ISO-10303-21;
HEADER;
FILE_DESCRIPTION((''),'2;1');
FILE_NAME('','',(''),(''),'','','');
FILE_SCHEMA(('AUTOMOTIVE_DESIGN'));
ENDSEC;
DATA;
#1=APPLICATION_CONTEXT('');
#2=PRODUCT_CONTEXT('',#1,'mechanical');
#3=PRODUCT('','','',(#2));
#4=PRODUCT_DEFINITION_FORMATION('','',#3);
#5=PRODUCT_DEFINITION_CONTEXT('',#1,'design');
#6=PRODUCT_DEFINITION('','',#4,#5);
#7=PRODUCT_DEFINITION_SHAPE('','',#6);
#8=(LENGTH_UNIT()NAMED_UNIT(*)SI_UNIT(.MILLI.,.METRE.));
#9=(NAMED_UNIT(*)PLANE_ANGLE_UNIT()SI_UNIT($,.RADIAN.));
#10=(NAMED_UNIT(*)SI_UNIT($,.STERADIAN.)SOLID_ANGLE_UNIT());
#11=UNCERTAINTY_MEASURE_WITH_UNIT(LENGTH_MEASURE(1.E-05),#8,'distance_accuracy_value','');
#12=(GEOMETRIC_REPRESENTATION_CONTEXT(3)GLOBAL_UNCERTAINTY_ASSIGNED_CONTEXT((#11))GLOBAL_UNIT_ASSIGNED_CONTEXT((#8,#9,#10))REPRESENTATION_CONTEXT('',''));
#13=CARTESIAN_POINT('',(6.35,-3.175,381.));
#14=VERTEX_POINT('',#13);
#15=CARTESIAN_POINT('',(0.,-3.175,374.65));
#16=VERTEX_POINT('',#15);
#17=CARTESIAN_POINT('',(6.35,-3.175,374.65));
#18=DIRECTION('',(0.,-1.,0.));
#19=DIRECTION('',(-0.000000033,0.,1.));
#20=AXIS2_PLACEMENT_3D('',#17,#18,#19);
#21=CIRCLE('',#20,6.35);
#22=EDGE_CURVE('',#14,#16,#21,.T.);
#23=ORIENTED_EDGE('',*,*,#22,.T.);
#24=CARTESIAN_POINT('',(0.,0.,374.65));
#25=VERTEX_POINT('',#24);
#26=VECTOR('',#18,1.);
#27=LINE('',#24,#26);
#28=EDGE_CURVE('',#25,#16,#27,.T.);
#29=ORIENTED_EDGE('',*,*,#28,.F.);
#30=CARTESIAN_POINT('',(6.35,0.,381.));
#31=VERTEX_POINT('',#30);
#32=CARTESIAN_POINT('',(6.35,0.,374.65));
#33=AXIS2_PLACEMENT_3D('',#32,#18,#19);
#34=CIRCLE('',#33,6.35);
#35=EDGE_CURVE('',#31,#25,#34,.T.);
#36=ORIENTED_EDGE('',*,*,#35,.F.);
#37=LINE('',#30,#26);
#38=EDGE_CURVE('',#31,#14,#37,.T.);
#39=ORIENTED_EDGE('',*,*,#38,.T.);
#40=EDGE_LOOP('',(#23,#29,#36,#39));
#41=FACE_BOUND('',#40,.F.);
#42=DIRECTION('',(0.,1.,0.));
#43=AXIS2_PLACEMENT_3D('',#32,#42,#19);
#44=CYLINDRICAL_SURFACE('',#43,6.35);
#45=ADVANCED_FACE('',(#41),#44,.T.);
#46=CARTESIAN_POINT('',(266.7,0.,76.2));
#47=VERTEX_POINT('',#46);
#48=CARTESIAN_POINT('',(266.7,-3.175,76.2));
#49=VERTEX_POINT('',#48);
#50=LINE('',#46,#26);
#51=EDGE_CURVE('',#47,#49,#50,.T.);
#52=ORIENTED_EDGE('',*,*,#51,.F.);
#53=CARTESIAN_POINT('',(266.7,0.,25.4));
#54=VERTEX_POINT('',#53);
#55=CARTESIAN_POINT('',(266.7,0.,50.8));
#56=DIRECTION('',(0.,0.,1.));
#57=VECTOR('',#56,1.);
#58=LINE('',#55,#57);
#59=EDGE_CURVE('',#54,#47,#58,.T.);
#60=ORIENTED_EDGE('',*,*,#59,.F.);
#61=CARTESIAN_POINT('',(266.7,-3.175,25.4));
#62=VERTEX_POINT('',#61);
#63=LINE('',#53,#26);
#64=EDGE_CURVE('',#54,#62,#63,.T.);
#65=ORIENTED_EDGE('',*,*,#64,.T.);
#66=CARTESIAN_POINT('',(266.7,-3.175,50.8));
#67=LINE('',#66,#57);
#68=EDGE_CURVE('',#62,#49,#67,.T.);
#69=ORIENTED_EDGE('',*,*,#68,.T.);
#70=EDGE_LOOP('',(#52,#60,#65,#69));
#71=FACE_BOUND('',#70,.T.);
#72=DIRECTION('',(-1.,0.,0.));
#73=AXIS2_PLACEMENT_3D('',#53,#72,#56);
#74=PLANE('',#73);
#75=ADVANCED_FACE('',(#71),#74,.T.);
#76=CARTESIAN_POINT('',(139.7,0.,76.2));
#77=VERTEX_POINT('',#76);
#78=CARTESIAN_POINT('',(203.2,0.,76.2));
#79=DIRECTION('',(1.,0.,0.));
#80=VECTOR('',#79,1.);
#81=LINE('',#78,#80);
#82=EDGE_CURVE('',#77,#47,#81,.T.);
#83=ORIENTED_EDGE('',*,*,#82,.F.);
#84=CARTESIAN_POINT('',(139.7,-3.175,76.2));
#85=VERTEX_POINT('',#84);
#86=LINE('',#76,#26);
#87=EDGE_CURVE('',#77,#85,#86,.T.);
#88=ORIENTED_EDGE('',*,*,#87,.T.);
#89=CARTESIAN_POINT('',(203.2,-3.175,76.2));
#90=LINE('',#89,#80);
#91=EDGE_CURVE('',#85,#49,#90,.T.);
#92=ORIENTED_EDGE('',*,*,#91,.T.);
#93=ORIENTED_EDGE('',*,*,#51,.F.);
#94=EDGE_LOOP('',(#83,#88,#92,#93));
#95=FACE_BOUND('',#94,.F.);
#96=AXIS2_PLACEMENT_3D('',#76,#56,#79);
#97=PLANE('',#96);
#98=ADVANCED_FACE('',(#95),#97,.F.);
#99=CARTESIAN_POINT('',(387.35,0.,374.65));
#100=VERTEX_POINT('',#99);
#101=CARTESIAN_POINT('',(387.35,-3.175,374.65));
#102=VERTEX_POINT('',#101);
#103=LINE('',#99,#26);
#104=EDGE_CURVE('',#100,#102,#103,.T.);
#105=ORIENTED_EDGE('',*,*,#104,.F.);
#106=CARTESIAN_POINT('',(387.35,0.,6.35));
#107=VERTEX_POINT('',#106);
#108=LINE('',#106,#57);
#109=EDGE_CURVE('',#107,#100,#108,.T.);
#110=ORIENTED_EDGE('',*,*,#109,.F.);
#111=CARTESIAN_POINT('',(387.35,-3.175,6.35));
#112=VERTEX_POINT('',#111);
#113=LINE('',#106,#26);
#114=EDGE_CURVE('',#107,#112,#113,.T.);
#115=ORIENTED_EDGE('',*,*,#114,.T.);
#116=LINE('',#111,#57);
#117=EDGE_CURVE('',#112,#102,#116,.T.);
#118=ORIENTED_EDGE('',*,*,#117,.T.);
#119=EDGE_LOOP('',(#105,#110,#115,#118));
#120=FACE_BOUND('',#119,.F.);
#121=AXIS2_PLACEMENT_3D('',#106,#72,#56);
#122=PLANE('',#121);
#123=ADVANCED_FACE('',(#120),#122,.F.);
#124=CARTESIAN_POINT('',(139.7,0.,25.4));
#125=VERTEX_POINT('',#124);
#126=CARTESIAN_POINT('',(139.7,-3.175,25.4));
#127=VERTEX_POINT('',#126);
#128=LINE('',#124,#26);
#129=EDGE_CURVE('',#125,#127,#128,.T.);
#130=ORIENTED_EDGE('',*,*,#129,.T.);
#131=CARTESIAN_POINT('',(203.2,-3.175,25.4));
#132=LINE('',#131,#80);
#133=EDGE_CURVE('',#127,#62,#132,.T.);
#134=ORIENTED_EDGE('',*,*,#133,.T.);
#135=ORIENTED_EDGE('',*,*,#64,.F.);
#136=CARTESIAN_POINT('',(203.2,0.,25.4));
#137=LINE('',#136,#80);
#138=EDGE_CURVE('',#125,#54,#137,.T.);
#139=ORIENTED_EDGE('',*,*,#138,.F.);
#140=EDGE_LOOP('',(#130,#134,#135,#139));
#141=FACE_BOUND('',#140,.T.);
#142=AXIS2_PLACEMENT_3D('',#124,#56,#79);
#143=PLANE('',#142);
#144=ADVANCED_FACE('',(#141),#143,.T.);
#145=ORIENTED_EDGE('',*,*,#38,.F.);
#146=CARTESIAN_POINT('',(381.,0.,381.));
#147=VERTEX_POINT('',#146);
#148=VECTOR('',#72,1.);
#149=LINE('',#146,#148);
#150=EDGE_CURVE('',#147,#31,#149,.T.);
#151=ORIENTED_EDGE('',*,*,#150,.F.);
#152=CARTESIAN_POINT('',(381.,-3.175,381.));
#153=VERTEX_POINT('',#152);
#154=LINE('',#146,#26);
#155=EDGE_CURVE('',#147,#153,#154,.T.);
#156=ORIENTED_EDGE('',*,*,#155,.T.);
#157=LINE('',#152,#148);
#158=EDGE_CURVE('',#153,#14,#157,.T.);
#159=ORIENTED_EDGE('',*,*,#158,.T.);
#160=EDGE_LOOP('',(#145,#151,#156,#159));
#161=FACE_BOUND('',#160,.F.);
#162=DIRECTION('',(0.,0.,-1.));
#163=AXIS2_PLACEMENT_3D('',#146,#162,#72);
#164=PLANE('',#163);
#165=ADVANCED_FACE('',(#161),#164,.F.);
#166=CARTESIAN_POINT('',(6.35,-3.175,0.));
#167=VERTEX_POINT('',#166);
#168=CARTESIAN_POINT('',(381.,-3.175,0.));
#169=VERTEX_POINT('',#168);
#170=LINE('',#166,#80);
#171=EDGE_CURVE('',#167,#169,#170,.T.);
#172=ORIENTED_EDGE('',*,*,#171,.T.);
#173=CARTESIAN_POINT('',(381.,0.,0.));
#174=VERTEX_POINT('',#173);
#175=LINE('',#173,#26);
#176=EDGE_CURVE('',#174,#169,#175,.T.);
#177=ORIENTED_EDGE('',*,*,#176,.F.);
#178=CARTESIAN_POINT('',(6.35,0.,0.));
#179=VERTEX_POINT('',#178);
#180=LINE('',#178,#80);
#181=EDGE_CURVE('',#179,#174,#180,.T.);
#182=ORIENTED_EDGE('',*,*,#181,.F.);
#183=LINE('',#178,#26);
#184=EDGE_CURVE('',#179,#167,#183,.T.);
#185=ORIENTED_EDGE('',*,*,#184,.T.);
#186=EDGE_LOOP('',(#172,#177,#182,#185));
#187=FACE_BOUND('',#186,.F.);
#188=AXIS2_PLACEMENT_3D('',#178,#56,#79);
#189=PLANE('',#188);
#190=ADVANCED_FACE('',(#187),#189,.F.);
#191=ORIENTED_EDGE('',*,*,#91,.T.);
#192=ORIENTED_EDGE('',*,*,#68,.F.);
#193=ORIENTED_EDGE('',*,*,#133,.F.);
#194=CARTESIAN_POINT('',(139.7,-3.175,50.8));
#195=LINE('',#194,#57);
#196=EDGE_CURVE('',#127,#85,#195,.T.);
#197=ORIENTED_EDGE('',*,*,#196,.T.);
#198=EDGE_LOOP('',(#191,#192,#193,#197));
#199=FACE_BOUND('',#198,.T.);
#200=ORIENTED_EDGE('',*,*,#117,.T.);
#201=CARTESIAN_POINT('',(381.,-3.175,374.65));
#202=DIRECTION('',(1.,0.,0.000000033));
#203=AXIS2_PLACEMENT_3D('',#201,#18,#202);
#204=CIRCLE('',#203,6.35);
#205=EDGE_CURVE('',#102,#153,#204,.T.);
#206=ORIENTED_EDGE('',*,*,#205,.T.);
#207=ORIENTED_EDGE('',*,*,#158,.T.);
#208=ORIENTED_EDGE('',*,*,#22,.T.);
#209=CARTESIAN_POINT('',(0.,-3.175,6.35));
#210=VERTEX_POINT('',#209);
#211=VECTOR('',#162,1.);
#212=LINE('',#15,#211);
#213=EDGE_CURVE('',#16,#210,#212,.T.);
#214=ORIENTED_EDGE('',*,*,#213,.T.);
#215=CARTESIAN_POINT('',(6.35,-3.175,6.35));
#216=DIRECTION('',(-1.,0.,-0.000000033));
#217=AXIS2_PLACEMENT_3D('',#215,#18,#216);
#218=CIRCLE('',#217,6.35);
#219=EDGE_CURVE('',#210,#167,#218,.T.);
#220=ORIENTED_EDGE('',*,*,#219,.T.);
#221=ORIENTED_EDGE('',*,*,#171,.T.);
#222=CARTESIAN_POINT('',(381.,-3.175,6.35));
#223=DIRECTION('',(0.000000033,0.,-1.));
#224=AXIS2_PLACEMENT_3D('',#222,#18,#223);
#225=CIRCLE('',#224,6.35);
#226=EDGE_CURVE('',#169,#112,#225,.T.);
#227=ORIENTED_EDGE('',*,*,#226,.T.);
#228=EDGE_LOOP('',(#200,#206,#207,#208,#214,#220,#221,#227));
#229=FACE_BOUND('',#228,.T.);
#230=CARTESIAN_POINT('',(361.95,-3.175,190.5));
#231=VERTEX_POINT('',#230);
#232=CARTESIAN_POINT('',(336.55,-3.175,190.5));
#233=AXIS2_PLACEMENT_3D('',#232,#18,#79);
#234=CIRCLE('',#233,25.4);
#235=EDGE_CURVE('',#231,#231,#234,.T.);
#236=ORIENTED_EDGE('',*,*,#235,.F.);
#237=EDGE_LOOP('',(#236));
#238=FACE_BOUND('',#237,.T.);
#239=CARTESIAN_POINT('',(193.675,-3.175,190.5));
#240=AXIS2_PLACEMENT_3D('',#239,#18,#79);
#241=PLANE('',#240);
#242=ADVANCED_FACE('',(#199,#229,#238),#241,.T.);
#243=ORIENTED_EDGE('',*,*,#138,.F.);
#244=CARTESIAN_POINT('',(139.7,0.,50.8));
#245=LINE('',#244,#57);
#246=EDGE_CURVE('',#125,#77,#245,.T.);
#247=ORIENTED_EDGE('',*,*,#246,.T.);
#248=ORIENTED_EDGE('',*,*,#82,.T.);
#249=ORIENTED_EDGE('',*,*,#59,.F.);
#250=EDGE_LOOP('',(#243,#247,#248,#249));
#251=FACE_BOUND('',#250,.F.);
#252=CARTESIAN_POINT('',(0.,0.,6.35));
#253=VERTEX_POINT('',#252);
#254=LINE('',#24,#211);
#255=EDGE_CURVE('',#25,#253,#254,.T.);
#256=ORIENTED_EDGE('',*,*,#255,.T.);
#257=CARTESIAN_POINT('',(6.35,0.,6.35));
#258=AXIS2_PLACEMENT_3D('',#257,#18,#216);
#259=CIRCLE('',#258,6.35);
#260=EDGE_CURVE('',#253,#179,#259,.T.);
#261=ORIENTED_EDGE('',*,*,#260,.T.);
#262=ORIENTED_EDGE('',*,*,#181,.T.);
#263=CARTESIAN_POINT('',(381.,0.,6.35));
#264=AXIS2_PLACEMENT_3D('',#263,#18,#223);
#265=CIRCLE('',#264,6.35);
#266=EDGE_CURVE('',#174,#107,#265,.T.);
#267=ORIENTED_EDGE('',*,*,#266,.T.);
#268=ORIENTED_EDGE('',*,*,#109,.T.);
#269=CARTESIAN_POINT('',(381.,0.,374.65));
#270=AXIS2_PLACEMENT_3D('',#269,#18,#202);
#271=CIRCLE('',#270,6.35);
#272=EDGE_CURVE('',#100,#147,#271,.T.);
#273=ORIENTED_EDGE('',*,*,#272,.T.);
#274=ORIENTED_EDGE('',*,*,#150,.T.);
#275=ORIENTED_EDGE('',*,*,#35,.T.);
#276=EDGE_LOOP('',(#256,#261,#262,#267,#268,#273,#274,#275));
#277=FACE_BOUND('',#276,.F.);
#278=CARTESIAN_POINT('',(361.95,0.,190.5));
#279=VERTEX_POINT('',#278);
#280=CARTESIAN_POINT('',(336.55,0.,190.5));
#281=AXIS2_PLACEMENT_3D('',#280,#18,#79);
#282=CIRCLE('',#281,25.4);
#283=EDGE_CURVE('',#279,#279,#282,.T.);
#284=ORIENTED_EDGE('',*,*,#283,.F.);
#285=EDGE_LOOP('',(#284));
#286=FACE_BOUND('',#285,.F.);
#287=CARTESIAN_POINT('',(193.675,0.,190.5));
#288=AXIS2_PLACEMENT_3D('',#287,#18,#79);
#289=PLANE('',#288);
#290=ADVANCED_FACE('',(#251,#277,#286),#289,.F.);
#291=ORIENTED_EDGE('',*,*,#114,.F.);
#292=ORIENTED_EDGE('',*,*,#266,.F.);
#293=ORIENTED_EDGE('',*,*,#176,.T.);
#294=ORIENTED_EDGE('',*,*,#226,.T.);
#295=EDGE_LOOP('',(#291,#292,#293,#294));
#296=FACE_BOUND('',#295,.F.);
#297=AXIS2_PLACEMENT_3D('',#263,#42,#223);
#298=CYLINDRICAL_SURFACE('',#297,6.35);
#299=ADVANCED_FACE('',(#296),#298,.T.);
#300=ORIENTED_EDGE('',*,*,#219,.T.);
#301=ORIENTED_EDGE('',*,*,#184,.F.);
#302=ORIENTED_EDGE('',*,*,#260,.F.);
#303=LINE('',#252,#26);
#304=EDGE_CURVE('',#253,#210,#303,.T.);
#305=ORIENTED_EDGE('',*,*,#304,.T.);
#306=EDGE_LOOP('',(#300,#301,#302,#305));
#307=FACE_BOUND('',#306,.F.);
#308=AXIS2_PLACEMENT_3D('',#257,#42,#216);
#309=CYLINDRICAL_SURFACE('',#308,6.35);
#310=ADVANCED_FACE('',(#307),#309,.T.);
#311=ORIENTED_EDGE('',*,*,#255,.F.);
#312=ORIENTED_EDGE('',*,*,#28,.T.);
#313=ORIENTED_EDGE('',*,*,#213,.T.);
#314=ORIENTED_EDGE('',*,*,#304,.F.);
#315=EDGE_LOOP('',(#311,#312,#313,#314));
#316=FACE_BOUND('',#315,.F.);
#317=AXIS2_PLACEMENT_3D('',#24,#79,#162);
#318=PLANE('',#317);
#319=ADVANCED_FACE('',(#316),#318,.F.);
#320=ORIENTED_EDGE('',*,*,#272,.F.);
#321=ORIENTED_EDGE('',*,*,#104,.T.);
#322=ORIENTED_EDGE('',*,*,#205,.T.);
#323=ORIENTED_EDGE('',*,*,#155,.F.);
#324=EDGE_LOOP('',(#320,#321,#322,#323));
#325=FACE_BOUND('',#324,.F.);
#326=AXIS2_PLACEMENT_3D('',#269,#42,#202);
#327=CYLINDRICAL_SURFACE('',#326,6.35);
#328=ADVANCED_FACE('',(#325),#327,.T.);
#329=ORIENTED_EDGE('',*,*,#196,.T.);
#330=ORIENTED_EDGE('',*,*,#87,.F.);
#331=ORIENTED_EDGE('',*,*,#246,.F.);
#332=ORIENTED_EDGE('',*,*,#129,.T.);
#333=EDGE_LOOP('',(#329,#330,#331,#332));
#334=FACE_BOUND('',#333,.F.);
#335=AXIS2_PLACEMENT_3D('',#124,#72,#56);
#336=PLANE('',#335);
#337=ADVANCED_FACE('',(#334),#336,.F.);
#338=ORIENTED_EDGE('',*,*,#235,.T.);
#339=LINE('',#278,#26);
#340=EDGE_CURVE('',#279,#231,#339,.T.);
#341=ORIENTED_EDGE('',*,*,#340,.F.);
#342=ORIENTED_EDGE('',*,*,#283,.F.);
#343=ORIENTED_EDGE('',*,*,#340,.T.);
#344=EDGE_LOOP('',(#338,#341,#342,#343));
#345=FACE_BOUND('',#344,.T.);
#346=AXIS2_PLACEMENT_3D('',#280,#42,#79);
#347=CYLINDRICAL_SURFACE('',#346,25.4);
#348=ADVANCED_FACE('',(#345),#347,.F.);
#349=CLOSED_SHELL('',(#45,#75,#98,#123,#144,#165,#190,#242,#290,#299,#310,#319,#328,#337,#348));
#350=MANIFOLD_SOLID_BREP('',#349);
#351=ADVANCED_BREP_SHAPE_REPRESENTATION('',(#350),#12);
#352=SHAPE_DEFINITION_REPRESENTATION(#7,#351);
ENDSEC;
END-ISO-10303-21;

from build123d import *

# Parameters (mm, degrees)
F0_W     = 127
F0_H     = 50.8
F0_R     = 25.4
F1_DEPTH = 3.175


with BuildPart() as f1:
    # F0 (on Front) → F1 (new body)
    with BuildSketch(Plane.XZ):
        with BuildLine():
            ThreePointArc((0, 6.35), (1.859872, 1.859872), (6.35, 0))
            Line((6.35, 0), (381, 0))
            ThreePointArc((381, 0), (385.490128, 1.859872), (387.35, 6.35))
            Line((387.35, 6.35), (387.35, 374.65))
            ThreePointArc((387.35, 374.65), (385.490128, 379.140128), (381, 381))
            Line((381, 381), (6.35, 381))
            ThreePointArc((6.35, 381), (1.859872, 379.140128), (0, 374.65))
            Line((0, 374.65), (0, 6.35))
        make_face()
        with Locations((203.2, 50.8)):
            Rectangle(F0_W, F0_H, mode=Mode.SUBTRACT)
        with Locations((336.55, 190.5)):
            Circle(F0_R, mode=Mode.SUBTRACT)
    extrude(amount=F1_DEPTH)


solid = f1.part
